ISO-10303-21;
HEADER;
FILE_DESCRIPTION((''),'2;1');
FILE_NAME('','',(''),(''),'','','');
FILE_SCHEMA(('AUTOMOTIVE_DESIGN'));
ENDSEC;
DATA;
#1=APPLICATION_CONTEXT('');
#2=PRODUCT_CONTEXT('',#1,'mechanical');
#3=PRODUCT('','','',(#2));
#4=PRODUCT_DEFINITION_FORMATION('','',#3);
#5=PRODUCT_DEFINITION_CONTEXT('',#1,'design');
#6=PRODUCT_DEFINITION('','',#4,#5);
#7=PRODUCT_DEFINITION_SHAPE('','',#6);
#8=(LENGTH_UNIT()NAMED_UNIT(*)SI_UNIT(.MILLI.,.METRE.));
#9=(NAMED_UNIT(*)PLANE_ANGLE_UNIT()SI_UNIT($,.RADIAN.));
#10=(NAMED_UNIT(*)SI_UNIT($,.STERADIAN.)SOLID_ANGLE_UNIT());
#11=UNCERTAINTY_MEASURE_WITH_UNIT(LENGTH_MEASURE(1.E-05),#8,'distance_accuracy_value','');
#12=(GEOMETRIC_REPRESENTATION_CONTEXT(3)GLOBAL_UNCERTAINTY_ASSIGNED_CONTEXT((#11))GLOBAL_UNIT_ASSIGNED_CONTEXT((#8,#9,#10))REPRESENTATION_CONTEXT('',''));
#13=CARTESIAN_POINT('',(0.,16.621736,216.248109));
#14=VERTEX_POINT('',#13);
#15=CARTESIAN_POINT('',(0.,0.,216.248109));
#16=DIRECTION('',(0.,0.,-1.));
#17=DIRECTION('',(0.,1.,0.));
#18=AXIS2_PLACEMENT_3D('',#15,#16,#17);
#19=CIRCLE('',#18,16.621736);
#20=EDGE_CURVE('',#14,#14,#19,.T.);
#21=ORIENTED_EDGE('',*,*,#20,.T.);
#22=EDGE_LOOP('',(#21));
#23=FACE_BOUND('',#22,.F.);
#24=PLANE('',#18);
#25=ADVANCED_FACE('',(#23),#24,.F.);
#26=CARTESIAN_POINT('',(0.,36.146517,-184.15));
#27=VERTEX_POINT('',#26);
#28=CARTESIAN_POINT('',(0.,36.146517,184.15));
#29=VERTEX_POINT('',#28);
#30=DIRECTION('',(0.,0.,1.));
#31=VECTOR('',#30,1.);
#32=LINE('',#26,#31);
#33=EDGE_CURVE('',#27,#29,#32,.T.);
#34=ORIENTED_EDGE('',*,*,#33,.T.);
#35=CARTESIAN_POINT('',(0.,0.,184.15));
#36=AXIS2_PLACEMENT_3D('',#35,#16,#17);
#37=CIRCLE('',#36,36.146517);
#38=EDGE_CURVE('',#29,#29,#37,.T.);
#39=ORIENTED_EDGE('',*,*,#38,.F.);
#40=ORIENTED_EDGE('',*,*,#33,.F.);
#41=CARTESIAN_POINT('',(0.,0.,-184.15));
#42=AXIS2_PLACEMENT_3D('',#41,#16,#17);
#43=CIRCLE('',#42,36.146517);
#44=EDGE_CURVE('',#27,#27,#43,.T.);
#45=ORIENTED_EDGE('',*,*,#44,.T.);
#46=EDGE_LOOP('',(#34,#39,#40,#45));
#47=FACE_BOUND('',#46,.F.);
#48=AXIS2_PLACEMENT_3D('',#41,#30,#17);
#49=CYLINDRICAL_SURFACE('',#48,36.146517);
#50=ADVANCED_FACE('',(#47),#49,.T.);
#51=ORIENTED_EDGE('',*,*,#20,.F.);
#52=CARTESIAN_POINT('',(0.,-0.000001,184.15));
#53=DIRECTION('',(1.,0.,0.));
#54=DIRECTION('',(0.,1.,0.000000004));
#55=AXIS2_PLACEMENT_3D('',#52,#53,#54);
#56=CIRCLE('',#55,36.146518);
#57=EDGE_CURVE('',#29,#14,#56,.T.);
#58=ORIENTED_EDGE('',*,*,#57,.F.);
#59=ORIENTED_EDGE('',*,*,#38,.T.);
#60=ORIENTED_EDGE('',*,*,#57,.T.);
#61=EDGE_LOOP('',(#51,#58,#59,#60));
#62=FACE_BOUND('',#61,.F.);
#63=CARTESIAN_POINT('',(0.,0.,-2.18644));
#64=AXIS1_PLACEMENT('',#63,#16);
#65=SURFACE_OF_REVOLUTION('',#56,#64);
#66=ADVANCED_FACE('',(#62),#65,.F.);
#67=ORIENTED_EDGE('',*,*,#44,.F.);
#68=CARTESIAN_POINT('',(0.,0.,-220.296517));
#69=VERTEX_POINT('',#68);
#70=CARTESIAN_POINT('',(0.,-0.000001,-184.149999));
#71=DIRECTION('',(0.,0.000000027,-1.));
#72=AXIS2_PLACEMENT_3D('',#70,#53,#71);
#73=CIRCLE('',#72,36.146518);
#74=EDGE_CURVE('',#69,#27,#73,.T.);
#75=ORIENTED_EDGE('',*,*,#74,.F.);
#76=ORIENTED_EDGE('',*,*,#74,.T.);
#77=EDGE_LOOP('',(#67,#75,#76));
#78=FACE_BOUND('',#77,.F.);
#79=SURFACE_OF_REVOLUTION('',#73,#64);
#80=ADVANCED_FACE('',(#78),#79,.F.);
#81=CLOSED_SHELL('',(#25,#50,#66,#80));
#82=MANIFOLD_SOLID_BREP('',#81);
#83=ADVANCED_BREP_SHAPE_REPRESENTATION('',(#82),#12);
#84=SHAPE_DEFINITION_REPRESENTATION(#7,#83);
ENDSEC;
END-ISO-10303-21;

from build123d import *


with BuildPart() as f1:
    # F0 (on Right) → F1 (revolve)
    with BuildSketch(Plane.YZ):
        with BuildLine():
            Line((29.796517, -184.15), (29.796517, 0))
            Line((29.796517, 0), (29.796517, 184.15))
            ThreePointArc((29.796517, 184.15), (25.832619, 198.99952), (14.995577, 209.898109))
            Line((14.995577, 209.898109), (0, 209.898109))
            Line((0, 209.898109), (0, -213.946517))
            ThreePointArc((0, -213.946517), (21.069319, -205.219319), (29.796517, -184.15))
        make_face()
        with BuildLine():
            Line((29.796517, 184.15), (29.796517, 0))
            Line((29.796517, 0), (29.796517, -184.15))
            ThreePointArc((29.796517, -184.15), (21.069319, -205.219319), (0, -213.946517))
            Line((0, -213.946517), (0, -220.296517))
            ThreePointArc((0, -220.296517), (25.559447, -209.709447), (36.146517, -184.15))
            Line((36.146517, -184.15), (36.146517, 0))
            Line((36.146517, 0), (36.146517, 184.15))
            ThreePointArc((36.146517, 184.15), (30.881941, 202.935005), (16.621736, 216.248109))
            Line((16.621736, 216.248109), (0, 216.248109))
            Line((0, 216.248109), (0, 209.898109))
            Line((0, 209.898109), (14.995577, 209.898109))
            ThreePointArc((14.995577, 209.898109), (25.832619, 198.99952), (29.796517, 184.15))
        make_face()
    revolve(axis=Axis((0, 0, -2.18644), (0, 0, -1)))


solid = f1.part
